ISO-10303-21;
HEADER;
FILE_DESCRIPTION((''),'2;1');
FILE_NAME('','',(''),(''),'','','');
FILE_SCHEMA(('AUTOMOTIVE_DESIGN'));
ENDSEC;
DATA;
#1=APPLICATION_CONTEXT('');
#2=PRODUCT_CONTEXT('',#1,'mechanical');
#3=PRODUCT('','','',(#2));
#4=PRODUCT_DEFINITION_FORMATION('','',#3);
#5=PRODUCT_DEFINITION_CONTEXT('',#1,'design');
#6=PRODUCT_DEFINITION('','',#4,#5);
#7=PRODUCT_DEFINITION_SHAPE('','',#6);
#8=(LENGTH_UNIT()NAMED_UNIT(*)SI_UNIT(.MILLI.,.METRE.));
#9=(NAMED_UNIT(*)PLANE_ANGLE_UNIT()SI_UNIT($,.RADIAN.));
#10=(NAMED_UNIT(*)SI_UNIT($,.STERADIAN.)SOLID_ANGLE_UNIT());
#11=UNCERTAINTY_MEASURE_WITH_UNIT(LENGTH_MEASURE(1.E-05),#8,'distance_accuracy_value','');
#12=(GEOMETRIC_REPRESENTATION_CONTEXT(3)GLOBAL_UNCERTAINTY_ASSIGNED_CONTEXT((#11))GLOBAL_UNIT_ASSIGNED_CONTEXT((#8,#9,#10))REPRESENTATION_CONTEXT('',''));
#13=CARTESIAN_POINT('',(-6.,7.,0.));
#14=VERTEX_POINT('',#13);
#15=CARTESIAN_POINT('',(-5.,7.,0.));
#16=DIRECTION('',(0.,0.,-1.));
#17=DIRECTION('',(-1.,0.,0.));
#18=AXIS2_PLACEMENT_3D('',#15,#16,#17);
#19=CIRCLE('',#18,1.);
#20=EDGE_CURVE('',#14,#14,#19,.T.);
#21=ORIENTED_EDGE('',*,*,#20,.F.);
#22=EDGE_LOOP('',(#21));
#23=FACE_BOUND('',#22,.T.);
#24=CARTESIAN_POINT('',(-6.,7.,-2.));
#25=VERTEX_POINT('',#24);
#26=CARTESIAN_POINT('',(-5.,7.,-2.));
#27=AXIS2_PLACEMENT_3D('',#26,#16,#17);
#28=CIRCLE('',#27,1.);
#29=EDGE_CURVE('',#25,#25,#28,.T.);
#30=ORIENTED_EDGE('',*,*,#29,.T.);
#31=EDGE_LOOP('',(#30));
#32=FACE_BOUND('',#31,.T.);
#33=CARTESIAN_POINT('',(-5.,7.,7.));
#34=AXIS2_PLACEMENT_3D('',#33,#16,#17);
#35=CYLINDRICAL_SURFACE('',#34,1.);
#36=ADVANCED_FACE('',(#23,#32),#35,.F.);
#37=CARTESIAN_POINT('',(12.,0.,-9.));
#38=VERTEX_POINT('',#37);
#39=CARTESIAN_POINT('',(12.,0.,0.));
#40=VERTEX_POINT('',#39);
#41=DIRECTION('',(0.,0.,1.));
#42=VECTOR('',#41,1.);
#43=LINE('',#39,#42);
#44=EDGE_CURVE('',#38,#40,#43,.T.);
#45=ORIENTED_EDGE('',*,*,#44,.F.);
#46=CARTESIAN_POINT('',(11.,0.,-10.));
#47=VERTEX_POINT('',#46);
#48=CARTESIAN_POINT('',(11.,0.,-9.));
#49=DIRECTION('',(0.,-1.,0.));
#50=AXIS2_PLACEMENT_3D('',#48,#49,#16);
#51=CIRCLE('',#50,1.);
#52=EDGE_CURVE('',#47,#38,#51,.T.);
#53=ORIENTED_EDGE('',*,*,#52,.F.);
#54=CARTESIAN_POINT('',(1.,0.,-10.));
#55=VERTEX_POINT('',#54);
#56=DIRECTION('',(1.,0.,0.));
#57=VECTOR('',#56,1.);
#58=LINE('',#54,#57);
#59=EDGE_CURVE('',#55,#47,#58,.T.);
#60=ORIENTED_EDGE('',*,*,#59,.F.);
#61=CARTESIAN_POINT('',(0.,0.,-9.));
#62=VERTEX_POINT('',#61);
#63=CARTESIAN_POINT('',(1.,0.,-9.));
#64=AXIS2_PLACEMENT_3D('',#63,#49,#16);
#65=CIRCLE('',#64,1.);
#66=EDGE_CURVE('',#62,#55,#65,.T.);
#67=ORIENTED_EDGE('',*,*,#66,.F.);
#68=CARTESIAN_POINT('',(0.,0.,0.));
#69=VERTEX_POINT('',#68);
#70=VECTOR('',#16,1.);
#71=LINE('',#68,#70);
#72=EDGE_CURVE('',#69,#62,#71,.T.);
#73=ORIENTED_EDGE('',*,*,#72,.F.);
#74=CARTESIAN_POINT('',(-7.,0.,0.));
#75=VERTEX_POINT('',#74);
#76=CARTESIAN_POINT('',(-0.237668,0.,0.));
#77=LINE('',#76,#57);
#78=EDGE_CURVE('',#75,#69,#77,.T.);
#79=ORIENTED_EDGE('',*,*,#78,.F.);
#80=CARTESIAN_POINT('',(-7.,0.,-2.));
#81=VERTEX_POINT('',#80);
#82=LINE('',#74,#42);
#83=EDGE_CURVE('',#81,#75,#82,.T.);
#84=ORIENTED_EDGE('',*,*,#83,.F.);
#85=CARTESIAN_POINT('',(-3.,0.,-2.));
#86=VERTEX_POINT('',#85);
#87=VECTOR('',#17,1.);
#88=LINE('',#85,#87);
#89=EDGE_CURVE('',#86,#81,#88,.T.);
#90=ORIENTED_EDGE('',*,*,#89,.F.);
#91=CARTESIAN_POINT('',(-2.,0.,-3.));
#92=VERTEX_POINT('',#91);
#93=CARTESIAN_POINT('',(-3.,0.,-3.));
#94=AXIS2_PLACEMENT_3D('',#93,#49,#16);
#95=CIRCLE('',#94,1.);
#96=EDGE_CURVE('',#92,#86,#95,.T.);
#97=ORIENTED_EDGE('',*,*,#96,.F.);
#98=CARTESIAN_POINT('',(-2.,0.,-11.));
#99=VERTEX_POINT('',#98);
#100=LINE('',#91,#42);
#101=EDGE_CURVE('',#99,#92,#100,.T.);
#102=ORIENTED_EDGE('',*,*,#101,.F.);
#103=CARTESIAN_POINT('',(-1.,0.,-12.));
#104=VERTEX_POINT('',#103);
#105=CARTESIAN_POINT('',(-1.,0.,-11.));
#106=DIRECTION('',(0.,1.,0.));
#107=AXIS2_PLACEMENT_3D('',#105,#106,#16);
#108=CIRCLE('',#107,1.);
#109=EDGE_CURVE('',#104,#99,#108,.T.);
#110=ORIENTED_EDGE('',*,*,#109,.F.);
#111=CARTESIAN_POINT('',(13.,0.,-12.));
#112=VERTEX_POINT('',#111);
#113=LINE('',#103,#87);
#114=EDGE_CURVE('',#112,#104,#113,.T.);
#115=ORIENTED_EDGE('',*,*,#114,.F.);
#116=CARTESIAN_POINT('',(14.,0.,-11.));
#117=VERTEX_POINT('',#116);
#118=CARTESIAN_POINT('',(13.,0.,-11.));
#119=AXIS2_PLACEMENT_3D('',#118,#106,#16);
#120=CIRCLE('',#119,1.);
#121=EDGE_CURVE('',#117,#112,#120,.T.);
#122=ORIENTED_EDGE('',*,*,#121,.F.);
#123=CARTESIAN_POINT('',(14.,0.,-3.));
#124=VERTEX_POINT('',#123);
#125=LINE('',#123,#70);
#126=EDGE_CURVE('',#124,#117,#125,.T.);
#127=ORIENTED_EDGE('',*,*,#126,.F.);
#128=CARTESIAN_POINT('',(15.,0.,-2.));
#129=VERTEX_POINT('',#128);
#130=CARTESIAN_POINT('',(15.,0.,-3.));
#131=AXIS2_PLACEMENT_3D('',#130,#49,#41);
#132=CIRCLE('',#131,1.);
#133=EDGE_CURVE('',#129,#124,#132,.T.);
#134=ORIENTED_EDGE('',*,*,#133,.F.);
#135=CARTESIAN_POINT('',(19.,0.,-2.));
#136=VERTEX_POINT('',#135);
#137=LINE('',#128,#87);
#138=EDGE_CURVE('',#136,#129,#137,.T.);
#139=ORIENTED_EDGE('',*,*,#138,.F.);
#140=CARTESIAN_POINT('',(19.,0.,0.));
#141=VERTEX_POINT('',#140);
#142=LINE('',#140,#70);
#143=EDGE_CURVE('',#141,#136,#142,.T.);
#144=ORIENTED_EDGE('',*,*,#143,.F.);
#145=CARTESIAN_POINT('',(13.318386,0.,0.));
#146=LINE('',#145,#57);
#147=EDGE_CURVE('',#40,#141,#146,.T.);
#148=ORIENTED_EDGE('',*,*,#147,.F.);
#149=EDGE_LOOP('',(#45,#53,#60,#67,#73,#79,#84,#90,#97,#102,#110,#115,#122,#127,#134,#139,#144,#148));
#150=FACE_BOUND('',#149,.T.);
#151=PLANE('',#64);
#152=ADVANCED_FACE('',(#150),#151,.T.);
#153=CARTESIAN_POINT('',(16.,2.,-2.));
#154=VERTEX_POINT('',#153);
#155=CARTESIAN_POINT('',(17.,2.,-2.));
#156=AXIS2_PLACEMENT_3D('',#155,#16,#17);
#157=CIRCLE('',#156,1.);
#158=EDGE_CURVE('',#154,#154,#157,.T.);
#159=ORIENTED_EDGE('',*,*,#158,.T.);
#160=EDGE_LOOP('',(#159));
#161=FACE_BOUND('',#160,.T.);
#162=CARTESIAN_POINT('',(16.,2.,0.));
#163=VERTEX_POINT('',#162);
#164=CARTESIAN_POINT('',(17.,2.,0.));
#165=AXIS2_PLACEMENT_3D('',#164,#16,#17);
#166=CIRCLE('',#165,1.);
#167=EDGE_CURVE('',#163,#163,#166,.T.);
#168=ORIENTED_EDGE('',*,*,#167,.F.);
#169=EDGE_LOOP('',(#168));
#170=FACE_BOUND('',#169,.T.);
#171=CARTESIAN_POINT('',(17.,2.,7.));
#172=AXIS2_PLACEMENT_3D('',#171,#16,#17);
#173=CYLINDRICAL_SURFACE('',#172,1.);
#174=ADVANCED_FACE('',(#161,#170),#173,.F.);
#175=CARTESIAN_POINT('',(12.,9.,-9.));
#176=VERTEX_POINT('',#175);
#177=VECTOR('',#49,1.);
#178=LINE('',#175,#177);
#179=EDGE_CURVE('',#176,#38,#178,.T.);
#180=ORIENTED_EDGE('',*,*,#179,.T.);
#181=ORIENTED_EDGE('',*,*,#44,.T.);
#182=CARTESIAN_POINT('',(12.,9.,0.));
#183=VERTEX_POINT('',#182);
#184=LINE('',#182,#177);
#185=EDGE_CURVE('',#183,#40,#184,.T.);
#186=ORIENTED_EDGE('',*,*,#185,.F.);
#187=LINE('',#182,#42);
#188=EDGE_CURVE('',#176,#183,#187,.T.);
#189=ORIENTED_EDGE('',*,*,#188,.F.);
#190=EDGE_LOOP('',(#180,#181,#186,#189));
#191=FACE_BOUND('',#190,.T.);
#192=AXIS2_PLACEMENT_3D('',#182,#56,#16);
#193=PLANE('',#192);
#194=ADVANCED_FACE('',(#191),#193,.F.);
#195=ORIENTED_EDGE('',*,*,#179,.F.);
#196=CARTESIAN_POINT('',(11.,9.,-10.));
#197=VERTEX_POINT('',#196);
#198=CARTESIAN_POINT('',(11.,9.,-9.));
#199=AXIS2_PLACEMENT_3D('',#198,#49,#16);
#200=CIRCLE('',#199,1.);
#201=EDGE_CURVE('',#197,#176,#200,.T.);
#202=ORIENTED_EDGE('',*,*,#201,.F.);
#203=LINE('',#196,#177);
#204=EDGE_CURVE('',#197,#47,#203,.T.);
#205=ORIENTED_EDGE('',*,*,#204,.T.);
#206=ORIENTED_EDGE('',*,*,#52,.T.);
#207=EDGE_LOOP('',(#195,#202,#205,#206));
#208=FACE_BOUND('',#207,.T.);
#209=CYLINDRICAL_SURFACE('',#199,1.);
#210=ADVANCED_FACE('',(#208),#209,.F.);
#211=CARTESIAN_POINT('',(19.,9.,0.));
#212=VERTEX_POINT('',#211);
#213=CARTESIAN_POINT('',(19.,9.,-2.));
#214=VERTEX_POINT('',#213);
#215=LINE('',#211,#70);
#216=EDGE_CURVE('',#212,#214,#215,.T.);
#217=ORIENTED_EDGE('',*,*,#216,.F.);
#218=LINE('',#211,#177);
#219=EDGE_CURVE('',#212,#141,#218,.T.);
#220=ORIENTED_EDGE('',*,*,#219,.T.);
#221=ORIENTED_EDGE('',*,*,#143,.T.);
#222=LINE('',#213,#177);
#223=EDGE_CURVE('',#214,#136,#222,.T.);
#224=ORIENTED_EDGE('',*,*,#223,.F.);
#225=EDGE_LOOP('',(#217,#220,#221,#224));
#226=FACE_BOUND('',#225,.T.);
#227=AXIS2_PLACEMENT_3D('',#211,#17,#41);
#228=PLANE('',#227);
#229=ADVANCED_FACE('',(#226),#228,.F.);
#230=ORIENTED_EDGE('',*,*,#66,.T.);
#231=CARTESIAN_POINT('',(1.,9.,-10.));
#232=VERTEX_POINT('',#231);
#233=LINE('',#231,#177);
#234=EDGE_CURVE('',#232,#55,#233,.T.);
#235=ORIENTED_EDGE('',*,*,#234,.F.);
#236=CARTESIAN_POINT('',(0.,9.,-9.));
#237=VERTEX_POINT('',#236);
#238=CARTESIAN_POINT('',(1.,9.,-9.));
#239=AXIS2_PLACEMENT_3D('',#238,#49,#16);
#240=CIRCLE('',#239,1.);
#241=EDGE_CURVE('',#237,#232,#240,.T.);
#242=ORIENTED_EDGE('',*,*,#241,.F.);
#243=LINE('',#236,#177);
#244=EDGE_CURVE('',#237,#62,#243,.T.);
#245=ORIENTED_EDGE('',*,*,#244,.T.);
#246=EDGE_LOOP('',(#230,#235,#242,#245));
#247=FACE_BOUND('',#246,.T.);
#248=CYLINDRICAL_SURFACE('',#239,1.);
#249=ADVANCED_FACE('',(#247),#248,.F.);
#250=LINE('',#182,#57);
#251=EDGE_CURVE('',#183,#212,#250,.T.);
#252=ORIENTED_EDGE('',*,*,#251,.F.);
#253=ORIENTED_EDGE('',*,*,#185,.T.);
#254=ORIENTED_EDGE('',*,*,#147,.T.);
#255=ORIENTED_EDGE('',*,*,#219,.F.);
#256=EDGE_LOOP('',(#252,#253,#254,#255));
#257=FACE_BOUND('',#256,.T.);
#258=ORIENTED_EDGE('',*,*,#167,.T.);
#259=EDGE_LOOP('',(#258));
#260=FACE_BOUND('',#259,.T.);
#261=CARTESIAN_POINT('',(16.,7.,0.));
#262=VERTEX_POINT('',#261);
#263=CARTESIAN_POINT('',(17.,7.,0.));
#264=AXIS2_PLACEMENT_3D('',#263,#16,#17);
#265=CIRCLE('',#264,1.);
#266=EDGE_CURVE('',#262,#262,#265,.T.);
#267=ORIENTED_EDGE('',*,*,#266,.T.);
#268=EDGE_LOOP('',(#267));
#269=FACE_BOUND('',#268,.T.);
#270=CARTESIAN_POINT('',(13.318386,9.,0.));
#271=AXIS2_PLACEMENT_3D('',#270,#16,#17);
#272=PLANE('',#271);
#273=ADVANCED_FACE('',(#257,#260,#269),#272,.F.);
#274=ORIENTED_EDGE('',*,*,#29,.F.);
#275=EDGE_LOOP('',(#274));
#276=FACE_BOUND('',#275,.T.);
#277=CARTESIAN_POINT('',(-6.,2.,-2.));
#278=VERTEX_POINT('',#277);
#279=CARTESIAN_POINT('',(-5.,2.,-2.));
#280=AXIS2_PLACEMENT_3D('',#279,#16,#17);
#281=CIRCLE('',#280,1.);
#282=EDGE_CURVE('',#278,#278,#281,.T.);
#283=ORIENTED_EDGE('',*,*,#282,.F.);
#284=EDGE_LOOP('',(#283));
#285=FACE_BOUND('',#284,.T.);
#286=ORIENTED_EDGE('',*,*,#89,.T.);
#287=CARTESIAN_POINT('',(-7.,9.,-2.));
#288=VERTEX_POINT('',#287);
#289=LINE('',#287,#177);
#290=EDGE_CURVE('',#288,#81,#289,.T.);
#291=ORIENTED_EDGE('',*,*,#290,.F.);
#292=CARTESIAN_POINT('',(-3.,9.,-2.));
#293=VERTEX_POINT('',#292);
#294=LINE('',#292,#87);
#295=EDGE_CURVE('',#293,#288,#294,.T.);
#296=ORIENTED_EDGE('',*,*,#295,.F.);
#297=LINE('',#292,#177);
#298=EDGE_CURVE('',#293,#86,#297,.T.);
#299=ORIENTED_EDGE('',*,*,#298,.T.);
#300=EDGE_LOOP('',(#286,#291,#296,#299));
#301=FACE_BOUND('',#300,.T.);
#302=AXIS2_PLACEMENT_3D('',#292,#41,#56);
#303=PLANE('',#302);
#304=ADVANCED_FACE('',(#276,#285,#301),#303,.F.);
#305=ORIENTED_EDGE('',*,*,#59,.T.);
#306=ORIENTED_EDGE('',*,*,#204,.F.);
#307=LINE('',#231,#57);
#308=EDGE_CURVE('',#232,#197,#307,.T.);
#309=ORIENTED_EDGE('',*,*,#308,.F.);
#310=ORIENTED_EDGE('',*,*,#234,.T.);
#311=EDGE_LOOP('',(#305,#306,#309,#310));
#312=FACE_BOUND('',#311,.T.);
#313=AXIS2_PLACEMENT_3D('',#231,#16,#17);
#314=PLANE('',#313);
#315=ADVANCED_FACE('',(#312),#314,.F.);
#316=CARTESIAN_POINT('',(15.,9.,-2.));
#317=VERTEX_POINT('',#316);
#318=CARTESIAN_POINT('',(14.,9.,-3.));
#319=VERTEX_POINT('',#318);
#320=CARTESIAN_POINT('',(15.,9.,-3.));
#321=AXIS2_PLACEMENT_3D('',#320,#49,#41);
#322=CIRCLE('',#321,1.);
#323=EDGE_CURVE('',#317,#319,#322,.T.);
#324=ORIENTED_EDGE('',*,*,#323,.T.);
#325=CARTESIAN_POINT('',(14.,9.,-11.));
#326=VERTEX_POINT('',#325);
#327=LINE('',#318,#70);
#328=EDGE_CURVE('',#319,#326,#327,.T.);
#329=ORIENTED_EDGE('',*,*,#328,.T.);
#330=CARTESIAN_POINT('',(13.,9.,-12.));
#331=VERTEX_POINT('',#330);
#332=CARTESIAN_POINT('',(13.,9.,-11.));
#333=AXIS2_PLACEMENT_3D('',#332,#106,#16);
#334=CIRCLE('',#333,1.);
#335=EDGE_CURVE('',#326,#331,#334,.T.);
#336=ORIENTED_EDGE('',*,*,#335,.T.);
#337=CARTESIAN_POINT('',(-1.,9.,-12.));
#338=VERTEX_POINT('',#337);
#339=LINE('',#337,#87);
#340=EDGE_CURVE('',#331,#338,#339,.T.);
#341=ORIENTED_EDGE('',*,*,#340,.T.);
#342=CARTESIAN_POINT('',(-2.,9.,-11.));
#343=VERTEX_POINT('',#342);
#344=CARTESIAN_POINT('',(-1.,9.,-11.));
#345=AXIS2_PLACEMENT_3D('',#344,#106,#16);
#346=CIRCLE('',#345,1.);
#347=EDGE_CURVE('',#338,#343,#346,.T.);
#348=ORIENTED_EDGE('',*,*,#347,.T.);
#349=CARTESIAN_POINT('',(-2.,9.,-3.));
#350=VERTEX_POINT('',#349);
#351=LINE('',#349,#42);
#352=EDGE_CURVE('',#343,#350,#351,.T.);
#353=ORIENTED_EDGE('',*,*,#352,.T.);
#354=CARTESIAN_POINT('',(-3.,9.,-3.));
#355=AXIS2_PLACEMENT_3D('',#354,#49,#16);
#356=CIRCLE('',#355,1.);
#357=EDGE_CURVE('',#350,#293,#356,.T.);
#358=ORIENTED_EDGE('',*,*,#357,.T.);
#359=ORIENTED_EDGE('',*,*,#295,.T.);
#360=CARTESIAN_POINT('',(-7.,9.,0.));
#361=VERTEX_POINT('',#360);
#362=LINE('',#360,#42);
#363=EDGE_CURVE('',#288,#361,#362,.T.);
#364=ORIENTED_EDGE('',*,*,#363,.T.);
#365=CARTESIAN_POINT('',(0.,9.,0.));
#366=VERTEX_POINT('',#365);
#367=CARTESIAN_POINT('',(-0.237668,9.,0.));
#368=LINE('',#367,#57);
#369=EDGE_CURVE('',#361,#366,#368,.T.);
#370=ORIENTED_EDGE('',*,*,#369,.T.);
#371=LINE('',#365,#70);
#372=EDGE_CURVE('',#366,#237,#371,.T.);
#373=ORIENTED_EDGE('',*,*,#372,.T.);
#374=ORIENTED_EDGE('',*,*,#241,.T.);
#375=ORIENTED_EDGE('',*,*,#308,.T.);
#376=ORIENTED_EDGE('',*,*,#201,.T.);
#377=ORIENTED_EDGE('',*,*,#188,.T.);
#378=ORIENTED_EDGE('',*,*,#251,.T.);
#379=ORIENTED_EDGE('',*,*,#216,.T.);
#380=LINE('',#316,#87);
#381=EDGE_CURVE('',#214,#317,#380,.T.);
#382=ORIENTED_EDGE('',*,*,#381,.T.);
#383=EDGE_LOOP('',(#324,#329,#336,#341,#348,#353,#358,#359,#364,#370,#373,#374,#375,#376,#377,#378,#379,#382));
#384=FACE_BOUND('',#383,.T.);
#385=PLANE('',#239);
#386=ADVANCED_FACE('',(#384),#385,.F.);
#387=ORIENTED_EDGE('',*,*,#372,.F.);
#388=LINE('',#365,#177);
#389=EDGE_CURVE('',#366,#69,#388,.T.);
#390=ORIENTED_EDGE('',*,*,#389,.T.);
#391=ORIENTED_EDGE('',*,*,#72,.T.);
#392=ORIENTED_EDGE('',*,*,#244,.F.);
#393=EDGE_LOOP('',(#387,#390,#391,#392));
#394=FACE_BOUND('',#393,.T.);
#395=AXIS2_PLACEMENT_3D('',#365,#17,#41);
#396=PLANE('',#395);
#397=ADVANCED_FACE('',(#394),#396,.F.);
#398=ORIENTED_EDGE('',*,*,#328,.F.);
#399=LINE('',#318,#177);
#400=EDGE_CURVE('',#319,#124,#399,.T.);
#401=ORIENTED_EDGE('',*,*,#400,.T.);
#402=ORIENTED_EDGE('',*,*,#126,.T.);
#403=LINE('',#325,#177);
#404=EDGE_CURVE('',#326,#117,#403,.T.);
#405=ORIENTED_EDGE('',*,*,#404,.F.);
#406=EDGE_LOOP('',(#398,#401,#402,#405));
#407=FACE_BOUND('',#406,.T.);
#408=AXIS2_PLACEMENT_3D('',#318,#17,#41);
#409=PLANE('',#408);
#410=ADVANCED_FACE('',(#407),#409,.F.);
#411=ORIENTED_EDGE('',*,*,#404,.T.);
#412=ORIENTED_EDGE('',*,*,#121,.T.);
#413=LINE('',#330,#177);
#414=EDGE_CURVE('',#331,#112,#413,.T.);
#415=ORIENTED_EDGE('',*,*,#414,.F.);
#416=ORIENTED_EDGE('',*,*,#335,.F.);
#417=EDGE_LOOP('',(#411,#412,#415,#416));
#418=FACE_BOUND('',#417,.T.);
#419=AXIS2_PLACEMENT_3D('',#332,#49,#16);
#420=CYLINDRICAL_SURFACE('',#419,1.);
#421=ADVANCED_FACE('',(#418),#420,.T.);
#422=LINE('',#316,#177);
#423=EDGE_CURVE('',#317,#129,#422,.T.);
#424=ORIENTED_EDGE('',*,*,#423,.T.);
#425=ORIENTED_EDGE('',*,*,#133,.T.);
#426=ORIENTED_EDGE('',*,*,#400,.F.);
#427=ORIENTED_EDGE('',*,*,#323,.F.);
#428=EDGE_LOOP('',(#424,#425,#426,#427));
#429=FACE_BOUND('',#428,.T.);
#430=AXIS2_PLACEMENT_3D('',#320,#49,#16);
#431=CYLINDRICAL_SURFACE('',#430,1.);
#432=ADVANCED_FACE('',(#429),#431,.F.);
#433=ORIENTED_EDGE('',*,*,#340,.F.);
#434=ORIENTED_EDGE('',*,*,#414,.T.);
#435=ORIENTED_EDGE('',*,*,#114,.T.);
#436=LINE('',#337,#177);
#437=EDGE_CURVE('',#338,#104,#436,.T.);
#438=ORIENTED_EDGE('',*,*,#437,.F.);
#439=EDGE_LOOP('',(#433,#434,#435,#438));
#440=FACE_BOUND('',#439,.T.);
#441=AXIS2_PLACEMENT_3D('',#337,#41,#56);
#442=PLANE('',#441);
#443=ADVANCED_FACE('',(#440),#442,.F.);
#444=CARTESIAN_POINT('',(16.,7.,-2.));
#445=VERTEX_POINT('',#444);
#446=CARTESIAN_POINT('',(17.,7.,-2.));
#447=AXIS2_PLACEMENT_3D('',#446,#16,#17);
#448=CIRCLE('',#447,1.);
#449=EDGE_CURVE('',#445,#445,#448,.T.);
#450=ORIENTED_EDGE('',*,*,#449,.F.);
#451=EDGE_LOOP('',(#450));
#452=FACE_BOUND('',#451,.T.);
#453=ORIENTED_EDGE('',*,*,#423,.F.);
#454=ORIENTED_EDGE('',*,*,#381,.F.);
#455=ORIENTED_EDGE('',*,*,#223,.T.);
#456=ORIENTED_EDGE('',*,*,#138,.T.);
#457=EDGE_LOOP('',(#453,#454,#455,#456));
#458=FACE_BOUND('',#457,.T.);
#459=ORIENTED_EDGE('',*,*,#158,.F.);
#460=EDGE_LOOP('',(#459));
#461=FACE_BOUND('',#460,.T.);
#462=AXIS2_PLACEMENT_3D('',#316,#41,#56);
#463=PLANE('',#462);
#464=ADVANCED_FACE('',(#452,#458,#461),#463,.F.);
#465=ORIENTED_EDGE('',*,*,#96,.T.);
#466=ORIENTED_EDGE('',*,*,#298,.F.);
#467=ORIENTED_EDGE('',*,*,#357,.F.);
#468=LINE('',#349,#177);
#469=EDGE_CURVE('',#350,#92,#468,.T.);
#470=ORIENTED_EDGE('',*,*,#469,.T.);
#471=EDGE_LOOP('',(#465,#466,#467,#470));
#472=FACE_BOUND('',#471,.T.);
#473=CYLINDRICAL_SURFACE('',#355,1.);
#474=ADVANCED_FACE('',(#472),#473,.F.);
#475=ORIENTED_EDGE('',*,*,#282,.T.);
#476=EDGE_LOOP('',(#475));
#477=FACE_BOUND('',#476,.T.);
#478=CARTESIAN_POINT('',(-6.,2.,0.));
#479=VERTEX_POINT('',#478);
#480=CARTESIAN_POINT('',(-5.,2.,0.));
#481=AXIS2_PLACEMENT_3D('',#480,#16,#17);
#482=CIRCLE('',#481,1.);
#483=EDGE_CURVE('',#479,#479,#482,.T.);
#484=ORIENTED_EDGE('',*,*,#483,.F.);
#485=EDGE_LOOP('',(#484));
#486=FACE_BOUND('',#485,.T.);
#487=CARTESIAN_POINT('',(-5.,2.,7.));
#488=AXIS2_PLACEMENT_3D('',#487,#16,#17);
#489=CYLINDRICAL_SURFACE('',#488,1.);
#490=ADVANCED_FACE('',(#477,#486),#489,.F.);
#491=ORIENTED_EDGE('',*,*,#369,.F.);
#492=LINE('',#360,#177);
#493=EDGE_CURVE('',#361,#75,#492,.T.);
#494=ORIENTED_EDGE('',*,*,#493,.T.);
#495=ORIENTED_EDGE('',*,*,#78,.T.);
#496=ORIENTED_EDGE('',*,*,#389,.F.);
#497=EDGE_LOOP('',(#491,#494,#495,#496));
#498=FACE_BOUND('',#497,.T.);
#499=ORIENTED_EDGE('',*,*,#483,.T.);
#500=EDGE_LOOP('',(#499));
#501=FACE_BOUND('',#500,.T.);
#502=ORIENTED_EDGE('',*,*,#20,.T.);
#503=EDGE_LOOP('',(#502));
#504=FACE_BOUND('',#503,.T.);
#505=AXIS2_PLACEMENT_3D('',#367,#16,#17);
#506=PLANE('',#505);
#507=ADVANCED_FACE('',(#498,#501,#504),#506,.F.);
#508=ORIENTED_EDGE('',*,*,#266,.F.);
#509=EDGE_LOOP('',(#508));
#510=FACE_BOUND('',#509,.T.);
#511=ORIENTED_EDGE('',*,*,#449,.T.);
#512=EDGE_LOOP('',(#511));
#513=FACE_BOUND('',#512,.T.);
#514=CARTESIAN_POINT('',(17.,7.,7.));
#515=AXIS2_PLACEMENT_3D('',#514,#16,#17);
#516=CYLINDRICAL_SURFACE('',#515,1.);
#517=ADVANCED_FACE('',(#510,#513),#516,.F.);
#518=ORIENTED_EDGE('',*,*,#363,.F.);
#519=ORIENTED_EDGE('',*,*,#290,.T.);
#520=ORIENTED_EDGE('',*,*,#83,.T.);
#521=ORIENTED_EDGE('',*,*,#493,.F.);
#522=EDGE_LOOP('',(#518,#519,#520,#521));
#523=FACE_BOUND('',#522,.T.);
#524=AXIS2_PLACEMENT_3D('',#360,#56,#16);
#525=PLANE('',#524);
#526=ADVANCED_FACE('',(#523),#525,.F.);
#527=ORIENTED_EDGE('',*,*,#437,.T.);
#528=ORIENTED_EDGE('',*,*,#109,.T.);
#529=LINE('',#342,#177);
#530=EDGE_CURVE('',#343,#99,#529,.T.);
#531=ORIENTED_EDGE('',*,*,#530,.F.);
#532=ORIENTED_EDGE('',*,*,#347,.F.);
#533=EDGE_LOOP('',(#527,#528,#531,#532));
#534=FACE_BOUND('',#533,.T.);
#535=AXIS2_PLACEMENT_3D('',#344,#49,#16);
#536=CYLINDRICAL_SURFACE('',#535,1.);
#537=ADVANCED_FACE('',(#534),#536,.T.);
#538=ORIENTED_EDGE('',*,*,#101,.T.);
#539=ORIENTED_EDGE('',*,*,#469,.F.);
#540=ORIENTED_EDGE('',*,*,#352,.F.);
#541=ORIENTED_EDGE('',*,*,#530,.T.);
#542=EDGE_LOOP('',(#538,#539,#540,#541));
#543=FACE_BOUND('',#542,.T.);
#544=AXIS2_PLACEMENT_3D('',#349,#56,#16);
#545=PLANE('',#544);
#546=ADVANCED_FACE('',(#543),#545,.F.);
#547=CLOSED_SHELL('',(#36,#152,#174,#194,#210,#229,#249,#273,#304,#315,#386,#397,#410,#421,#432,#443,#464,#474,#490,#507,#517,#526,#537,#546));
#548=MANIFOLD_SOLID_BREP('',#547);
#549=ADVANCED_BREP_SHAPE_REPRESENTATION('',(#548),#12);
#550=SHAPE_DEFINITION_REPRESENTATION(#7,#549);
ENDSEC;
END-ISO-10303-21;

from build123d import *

# Parameters (mm, degrees)
BOSS_EXTRUDE1_DEPTH = 9
SKETCH2_R           = 1
CUT_EXTRUDE1_DEPTH  = 9


with BuildPart() as part:
    # Sketch1 → Boss-Extrude1 (new body)
    with BuildSketch(Plane(origin=(0, 0, 0), x_dir=(1, 0, 0), z_dir=(0, 1, 0))):
        with BuildLine():
            Line((12, 0), (13.31838565, 0))
            Line((13.31838565, 0), (19, 0))
            Line((19, 0), (19, 2))
            Line((19, 2), (15, 2))
            ThreePointArc((15, 2), (14.292893219, 2.292893219), (14, 3))
            Line((14, 3), (14, 11))
            ThreePointArc((14, 11), (13.707106781, 11.707106781), (13, 12))
            Line((13, 12), (-1, 12))
            ThreePointArc((-1, 12), (-1.707106781, 11.707106781), (-2, 11))
            Line((-2, 11), (-2, 3))
            ThreePointArc((-2, 3), (-2.292893219, 2.292893219), (-3, 2))
            Line((-3, 2), (-7, 2))
            Line((-7, 2), (-7, 0))
            Line((-7, 0), (-0.237668161, 0))
            Line((-0.237668161, 0), (0, 0))
            Line((0, 0), (0, 9))
            ThreePointArc((0, 9), (0.292893219, 9.707106781), (1, 10))
            Line((1, 10), (11, 10))
            ThreePointArc((11, 10), (11.707106781, 9.707106781), (12, 9))
            Line((12, 9), (12, 0))
        make_face()
    extrude(amount=BOSS_EXTRUDE1_DEPTH)

    # Sketch2 → Cut-Extrude1 (cut)
    with BuildSketch(Plane(origin=(0, 0, -2), x_dir=(-1, 0, 0), z_dir=(0, 0, -1))):
        with Locations((-17, 7)):
            Circle(SKETCH2_R)
        with Locations((5, 7)):
            Circle(SKETCH2_R)
        with Locations((-17, 2)):
            Circle(SKETCH2_R)
        with Locations((5, 2)):
            Circle(SKETCH2_R)
    extrude(amount=-CUT_EXTRUDE1_DEPTH, mode=Mode.SUBTRACT)


solid = part.part
